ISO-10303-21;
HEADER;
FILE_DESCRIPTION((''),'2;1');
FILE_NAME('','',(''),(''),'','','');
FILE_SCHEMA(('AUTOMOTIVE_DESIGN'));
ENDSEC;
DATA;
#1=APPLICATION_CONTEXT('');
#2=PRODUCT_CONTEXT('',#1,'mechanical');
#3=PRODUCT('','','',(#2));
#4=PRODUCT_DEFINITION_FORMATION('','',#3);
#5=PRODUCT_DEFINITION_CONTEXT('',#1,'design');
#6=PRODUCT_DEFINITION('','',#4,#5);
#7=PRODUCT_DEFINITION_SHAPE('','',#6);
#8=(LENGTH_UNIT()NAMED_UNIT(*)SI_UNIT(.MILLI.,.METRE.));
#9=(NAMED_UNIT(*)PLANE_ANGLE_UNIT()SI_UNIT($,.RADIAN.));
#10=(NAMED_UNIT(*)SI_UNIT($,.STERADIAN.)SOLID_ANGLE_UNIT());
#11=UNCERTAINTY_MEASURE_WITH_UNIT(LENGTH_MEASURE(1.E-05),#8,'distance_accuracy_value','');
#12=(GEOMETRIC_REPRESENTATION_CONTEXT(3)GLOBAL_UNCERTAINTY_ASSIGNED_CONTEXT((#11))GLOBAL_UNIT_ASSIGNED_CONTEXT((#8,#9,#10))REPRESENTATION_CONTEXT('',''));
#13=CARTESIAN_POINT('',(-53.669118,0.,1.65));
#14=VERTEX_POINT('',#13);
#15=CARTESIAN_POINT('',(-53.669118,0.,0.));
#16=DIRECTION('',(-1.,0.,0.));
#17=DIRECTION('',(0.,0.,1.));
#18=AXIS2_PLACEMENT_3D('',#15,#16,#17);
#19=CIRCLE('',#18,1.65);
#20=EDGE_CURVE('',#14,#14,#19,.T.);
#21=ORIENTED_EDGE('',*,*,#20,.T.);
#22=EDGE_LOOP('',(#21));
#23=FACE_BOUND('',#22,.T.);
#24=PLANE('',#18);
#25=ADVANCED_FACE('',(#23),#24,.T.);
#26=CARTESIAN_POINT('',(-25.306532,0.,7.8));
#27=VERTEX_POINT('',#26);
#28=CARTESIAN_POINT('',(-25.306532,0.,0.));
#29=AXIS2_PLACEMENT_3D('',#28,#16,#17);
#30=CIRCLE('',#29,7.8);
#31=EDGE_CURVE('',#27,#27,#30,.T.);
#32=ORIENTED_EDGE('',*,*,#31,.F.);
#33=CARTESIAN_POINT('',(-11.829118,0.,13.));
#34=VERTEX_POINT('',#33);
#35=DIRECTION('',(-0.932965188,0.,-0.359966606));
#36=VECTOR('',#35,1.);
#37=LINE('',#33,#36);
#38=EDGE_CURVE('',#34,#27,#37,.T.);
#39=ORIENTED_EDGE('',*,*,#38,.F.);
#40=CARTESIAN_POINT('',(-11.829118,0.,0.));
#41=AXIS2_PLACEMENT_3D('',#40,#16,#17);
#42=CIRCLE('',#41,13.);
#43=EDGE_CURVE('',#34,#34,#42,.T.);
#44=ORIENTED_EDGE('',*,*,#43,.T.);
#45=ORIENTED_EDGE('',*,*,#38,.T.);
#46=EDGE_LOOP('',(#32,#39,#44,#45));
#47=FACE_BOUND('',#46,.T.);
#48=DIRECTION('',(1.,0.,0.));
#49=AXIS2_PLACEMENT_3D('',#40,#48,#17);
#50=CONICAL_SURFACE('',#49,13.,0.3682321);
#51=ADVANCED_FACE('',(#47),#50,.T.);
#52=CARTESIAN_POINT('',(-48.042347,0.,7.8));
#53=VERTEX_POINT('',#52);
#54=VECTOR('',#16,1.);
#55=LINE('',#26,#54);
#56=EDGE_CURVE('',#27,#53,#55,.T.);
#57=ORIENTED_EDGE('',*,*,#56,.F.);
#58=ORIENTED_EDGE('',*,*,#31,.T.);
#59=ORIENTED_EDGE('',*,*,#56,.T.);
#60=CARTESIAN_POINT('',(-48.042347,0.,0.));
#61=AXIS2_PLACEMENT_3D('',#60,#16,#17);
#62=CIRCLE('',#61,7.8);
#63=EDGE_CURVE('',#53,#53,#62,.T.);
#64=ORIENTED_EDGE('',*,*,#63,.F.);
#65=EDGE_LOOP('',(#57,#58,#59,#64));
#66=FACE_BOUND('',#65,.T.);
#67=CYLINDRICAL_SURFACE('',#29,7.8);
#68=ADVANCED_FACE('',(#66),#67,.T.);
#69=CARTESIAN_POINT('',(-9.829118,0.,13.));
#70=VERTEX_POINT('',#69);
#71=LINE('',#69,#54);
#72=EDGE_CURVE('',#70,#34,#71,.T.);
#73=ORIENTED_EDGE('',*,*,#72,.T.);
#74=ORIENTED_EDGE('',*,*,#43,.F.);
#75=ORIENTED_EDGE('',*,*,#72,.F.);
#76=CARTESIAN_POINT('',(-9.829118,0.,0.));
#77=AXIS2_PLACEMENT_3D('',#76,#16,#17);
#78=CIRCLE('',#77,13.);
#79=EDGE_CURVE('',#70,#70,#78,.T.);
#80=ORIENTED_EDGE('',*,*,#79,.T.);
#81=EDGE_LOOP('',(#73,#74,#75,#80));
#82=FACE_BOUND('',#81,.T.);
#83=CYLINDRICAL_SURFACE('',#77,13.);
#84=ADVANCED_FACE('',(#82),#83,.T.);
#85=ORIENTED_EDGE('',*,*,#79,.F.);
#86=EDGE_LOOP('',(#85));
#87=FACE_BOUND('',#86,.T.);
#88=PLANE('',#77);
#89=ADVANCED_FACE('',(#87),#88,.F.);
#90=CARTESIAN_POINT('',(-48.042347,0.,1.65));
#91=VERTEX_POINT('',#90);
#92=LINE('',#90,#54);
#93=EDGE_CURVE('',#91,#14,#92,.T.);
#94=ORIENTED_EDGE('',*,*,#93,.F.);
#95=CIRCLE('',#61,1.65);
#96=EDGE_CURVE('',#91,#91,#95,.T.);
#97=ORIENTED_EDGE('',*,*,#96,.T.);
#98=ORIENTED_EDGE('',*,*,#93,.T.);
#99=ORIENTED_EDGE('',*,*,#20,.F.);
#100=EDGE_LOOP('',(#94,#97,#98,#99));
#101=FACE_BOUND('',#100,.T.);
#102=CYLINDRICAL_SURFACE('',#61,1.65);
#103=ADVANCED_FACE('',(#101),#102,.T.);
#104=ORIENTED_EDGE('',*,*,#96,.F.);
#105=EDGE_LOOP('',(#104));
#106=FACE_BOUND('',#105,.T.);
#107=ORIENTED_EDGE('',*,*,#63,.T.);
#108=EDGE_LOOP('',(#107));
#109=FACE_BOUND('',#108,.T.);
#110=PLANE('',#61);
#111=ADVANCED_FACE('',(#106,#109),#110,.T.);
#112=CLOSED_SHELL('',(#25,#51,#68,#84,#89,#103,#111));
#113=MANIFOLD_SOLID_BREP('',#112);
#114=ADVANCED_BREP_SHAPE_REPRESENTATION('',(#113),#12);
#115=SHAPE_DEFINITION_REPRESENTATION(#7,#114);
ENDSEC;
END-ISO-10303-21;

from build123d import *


with BuildPart() as f1:
    # F0 (on Front) → F1 (revolve)
    with BuildSketch(Plane.XZ):
        Polygon((-53.669118, 1.65), (-53.669118, 0), (-25.306532, 0), (-25.306532, 7.8), (-48.042347, 7.8), (-48.042347, 1.65), align=None)
        Polygon((-25.306532, 7.8), (-25.306532, 0), (-11.829118, 0), (-9.829118, 0), (-9.829118, 13), (-11.829118, 13), align=None)
    revolve(axis=Axis((-32.749118, 0, 0), (-1, 0, 0)))


solid = f1.part
